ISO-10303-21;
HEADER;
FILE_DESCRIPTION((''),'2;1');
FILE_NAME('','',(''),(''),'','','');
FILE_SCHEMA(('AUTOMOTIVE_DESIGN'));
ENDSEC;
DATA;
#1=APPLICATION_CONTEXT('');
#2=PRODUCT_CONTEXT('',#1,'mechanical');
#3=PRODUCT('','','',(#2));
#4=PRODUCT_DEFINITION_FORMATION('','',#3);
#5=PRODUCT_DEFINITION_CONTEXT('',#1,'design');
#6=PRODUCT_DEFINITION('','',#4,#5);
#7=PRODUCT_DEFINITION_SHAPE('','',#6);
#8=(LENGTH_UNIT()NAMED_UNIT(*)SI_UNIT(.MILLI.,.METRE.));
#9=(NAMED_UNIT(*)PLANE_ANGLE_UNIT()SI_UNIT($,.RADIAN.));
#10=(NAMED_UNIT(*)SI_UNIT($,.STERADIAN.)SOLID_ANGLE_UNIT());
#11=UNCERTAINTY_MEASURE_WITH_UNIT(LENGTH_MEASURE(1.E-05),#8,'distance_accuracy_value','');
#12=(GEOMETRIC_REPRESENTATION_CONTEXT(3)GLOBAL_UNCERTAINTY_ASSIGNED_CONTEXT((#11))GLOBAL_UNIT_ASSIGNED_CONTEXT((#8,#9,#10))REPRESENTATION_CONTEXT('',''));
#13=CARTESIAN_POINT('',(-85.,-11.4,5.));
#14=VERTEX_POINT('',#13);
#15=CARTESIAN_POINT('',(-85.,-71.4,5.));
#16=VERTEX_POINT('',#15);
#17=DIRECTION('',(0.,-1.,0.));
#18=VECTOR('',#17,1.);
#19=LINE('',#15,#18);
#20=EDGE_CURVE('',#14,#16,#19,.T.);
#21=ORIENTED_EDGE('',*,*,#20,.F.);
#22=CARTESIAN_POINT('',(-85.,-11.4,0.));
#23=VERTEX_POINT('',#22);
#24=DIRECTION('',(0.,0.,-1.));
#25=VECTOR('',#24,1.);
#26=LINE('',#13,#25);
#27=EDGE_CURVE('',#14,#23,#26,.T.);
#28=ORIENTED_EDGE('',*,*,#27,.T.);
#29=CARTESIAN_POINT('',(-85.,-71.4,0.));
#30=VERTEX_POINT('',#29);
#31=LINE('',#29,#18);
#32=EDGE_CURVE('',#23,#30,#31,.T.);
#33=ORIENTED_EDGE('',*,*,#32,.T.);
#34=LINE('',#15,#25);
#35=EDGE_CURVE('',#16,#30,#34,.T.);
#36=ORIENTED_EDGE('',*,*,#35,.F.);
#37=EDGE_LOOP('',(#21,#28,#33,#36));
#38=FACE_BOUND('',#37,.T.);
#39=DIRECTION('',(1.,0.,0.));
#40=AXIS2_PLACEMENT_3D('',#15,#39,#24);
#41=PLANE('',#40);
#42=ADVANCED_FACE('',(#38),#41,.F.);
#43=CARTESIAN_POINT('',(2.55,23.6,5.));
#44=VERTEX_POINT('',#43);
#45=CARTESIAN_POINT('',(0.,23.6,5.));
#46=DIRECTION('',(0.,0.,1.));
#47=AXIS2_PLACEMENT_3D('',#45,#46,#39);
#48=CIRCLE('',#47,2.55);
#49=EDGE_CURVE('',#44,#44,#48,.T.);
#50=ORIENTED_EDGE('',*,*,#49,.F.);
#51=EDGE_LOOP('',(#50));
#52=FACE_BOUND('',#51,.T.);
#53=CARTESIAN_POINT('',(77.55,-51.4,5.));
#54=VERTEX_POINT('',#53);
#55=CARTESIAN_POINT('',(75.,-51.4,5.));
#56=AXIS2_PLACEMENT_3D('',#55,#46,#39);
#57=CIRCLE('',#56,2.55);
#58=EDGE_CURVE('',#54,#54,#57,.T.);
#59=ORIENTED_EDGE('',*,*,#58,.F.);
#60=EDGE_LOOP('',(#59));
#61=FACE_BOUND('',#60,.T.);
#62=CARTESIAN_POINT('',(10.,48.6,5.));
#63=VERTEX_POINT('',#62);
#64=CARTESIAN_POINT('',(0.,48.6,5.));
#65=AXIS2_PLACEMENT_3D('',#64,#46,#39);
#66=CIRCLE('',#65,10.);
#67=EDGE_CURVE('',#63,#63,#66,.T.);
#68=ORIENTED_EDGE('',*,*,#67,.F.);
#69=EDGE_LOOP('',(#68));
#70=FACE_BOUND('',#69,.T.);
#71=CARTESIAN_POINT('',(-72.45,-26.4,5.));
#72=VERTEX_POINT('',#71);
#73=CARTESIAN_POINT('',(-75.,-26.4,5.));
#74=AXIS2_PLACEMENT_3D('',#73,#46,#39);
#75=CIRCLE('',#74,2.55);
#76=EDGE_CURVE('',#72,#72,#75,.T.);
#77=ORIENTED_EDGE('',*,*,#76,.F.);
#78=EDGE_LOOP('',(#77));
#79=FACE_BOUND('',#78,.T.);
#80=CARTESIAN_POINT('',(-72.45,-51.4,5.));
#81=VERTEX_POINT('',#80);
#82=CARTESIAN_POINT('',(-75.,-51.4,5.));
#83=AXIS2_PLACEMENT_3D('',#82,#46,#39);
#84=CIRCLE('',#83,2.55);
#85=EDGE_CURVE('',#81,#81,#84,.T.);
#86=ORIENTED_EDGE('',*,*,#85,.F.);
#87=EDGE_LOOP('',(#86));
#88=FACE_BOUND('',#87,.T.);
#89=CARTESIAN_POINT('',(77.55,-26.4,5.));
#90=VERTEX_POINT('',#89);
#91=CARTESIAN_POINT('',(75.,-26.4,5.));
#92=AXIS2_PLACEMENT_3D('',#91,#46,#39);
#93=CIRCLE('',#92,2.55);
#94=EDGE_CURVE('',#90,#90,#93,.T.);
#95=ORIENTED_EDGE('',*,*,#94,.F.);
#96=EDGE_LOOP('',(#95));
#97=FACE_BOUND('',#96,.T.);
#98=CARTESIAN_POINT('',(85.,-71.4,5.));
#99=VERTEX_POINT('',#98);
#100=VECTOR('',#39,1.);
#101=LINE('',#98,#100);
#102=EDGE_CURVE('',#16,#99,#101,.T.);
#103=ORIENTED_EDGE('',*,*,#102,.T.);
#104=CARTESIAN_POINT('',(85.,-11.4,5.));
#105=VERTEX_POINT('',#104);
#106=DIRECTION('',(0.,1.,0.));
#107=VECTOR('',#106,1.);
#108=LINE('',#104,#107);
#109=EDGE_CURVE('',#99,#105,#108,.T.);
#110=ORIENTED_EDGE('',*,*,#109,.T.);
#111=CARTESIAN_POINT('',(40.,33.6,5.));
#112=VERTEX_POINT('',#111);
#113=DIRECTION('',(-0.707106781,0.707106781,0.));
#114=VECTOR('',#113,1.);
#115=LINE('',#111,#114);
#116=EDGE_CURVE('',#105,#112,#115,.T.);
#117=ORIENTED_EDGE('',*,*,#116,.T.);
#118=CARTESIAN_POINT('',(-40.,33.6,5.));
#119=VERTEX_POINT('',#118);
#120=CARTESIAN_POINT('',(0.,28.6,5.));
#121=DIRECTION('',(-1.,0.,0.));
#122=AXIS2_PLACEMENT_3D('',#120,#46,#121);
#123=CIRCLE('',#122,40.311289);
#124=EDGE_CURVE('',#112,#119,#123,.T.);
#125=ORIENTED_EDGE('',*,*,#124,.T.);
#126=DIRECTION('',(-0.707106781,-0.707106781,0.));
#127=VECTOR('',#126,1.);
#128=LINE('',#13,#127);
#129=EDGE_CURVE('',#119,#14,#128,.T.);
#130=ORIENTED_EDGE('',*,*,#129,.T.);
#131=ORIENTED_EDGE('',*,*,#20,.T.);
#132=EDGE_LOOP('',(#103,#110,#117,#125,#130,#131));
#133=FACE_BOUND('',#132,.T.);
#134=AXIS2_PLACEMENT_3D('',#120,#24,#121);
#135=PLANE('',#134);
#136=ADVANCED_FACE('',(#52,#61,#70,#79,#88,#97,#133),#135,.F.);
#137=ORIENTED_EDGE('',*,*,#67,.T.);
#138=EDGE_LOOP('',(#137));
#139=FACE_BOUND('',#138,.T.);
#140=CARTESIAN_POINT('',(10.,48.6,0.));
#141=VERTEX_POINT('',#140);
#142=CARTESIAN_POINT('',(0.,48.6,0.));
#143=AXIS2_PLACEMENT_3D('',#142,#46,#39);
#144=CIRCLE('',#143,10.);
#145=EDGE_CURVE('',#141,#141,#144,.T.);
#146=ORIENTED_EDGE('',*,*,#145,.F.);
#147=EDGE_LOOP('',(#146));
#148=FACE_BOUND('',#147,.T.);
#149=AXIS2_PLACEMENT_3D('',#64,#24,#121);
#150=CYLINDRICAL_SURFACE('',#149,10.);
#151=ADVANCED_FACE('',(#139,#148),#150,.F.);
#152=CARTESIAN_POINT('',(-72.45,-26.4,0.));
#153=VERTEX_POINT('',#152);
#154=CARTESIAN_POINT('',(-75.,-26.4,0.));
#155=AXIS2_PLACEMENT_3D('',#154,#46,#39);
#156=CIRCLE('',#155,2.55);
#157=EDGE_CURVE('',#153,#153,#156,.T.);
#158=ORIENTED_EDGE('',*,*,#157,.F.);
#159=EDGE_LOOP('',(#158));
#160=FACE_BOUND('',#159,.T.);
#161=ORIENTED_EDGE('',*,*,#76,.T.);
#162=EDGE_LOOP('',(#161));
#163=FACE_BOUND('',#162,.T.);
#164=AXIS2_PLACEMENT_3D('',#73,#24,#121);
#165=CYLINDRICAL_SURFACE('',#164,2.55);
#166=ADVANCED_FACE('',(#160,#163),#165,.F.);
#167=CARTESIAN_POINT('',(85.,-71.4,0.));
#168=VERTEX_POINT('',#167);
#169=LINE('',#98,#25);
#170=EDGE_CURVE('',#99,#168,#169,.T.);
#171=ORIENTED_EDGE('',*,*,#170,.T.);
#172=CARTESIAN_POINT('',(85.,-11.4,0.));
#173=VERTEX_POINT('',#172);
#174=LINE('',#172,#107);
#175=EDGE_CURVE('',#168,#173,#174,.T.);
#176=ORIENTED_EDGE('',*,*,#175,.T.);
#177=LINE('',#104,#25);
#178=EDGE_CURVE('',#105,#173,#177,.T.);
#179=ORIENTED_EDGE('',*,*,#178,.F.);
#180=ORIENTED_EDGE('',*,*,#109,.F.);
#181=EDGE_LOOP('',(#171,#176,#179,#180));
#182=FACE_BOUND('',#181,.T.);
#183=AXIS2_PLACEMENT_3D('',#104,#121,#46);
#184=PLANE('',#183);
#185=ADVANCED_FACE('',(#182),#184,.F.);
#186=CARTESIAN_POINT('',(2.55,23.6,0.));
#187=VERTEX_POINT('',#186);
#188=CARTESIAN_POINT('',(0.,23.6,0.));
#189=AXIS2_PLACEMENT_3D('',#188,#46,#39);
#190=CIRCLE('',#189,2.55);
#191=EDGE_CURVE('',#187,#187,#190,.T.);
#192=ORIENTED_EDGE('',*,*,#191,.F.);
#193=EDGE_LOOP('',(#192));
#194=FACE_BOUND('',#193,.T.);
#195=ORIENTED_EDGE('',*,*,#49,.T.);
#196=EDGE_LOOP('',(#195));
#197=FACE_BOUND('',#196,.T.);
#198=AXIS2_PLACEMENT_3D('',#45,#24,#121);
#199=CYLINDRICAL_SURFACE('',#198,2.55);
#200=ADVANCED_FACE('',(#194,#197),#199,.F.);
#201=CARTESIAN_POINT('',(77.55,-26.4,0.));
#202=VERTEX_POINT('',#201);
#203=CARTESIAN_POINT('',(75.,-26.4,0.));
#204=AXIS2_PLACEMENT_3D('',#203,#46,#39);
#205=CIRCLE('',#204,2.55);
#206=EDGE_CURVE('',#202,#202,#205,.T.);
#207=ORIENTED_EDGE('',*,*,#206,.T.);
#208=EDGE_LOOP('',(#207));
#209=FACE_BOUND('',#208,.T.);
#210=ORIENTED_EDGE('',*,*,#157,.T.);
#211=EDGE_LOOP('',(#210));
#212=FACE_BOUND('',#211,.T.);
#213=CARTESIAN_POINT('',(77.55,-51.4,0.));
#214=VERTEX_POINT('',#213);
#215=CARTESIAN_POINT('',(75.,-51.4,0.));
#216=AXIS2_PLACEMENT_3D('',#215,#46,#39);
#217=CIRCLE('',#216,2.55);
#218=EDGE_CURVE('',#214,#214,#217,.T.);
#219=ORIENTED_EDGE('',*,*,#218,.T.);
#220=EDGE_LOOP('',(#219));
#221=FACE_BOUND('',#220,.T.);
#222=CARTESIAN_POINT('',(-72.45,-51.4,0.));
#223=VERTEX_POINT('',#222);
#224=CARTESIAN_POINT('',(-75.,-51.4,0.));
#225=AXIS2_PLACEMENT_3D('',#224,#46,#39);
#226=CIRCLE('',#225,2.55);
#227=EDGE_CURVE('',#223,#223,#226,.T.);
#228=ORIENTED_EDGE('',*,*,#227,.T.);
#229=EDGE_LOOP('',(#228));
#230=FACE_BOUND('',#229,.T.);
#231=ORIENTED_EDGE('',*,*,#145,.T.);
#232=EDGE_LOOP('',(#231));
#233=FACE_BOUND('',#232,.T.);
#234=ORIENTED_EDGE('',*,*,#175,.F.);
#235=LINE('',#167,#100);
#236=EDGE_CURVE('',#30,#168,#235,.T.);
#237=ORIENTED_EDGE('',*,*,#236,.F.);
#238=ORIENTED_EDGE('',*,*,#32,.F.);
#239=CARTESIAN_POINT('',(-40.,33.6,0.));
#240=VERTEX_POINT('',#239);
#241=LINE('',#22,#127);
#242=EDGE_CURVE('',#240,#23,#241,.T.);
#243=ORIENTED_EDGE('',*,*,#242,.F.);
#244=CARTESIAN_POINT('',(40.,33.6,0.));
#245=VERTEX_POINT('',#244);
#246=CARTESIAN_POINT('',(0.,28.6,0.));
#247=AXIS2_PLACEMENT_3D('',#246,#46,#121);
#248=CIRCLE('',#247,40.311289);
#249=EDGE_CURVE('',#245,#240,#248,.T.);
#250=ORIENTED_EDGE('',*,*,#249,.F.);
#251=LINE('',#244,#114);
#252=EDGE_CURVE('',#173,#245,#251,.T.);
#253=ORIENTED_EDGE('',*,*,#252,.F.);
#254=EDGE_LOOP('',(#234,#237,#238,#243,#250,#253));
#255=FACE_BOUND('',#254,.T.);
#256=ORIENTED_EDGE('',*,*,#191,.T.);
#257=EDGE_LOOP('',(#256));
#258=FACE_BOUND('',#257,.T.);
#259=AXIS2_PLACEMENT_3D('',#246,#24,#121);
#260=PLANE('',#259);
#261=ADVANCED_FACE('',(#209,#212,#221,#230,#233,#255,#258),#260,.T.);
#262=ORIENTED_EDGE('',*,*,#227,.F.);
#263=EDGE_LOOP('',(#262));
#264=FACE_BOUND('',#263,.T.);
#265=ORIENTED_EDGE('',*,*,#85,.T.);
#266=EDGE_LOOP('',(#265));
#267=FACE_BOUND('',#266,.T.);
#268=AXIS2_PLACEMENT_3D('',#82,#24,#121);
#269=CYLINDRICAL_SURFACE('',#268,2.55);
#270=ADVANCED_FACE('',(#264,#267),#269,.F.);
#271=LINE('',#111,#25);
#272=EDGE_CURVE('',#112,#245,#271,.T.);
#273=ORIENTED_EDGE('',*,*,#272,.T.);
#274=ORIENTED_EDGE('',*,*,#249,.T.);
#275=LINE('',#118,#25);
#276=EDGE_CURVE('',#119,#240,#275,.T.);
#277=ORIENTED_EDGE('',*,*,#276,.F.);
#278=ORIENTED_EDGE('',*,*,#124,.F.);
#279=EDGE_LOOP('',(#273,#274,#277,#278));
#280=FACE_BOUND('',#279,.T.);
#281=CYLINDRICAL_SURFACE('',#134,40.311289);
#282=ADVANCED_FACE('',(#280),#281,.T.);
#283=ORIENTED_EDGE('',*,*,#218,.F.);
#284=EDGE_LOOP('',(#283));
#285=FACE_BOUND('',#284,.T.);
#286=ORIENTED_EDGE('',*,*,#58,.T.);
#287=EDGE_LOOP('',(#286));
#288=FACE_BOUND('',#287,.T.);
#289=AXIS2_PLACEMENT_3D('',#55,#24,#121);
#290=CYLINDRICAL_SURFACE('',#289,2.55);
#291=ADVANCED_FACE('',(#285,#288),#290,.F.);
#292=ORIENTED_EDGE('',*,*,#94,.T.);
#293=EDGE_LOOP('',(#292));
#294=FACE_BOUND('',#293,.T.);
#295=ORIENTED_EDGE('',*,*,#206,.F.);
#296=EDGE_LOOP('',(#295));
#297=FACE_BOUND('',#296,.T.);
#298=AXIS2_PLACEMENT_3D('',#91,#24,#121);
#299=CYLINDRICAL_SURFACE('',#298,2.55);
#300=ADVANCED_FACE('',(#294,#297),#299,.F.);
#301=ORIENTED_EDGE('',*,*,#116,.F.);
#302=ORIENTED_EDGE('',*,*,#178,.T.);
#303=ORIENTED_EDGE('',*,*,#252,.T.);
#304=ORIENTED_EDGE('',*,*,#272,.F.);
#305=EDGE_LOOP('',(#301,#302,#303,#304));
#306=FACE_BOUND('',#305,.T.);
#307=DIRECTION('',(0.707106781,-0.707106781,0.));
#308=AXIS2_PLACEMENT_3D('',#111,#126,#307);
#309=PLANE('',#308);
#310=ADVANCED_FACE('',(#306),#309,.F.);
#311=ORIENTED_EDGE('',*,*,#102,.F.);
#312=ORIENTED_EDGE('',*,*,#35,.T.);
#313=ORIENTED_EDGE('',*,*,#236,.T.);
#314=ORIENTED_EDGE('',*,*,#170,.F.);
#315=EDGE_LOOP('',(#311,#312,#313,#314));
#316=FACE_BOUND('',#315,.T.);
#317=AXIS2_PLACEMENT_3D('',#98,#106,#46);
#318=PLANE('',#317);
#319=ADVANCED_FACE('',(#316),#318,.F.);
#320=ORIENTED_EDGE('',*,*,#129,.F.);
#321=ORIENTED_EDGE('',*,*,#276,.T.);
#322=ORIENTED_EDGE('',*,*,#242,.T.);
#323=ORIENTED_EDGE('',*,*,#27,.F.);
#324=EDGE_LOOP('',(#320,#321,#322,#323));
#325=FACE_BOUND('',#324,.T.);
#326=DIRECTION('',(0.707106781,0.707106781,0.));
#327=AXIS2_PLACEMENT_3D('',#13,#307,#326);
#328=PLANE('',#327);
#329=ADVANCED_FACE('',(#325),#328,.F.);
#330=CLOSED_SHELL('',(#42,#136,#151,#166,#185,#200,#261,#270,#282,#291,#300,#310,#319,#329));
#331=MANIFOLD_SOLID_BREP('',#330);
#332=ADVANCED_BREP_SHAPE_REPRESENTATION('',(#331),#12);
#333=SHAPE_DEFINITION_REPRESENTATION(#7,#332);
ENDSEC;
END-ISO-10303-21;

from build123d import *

# Parameters (mm, degrees)
SKETCH_1_R      = 2.55
SKETCH_1_R_2    = 10
EXTRUDE_1_DEPTH = 5


with BuildPart() as part:
    # ｽｹｯﾁ1 → ﾎﾞｽ - 押し出し1 (new body)
    with BuildSketch(Plane.XY):
        with BuildLine():
            Line((-85, -71.4), (-85, -11.4))
            Line((-85, -11.4), (-40, 33.6))
            ThreePointArc((-40, 33.6), (0, 68.911288741), (40, 33.6))
            Line((40, 33.6), (85, -11.4))
            Line((85, -11.4), (85, -71.4))
            Line((85, -71.4), (-85, -71.4))
        make_face()
        with Locations((75, -26.4)):
            Circle(SKETCH_1_R, mode=Mode.SUBTRACT)
        with Locations((75, -51.4)):
            Circle(SKETCH_1_R, mode=Mode.SUBTRACT)
        with Locations((-75, -26.4)):
            Circle(SKETCH_1_R, mode=Mode.SUBTRACT)
        with Locations((-75, -51.4)):
            Circle(SKETCH_1_R, mode=Mode.SUBTRACT)
        with Locations((0, 23.6)):
            Circle(SKETCH_1_R, mode=Mode.SUBTRACT)
        with Locations((0, 48.6)):
            Circle(SKETCH_1_R_2, mode=Mode.SUBTRACT)
    extrude(amount=EXTRUDE_1_DEPTH)


solid = part.part
